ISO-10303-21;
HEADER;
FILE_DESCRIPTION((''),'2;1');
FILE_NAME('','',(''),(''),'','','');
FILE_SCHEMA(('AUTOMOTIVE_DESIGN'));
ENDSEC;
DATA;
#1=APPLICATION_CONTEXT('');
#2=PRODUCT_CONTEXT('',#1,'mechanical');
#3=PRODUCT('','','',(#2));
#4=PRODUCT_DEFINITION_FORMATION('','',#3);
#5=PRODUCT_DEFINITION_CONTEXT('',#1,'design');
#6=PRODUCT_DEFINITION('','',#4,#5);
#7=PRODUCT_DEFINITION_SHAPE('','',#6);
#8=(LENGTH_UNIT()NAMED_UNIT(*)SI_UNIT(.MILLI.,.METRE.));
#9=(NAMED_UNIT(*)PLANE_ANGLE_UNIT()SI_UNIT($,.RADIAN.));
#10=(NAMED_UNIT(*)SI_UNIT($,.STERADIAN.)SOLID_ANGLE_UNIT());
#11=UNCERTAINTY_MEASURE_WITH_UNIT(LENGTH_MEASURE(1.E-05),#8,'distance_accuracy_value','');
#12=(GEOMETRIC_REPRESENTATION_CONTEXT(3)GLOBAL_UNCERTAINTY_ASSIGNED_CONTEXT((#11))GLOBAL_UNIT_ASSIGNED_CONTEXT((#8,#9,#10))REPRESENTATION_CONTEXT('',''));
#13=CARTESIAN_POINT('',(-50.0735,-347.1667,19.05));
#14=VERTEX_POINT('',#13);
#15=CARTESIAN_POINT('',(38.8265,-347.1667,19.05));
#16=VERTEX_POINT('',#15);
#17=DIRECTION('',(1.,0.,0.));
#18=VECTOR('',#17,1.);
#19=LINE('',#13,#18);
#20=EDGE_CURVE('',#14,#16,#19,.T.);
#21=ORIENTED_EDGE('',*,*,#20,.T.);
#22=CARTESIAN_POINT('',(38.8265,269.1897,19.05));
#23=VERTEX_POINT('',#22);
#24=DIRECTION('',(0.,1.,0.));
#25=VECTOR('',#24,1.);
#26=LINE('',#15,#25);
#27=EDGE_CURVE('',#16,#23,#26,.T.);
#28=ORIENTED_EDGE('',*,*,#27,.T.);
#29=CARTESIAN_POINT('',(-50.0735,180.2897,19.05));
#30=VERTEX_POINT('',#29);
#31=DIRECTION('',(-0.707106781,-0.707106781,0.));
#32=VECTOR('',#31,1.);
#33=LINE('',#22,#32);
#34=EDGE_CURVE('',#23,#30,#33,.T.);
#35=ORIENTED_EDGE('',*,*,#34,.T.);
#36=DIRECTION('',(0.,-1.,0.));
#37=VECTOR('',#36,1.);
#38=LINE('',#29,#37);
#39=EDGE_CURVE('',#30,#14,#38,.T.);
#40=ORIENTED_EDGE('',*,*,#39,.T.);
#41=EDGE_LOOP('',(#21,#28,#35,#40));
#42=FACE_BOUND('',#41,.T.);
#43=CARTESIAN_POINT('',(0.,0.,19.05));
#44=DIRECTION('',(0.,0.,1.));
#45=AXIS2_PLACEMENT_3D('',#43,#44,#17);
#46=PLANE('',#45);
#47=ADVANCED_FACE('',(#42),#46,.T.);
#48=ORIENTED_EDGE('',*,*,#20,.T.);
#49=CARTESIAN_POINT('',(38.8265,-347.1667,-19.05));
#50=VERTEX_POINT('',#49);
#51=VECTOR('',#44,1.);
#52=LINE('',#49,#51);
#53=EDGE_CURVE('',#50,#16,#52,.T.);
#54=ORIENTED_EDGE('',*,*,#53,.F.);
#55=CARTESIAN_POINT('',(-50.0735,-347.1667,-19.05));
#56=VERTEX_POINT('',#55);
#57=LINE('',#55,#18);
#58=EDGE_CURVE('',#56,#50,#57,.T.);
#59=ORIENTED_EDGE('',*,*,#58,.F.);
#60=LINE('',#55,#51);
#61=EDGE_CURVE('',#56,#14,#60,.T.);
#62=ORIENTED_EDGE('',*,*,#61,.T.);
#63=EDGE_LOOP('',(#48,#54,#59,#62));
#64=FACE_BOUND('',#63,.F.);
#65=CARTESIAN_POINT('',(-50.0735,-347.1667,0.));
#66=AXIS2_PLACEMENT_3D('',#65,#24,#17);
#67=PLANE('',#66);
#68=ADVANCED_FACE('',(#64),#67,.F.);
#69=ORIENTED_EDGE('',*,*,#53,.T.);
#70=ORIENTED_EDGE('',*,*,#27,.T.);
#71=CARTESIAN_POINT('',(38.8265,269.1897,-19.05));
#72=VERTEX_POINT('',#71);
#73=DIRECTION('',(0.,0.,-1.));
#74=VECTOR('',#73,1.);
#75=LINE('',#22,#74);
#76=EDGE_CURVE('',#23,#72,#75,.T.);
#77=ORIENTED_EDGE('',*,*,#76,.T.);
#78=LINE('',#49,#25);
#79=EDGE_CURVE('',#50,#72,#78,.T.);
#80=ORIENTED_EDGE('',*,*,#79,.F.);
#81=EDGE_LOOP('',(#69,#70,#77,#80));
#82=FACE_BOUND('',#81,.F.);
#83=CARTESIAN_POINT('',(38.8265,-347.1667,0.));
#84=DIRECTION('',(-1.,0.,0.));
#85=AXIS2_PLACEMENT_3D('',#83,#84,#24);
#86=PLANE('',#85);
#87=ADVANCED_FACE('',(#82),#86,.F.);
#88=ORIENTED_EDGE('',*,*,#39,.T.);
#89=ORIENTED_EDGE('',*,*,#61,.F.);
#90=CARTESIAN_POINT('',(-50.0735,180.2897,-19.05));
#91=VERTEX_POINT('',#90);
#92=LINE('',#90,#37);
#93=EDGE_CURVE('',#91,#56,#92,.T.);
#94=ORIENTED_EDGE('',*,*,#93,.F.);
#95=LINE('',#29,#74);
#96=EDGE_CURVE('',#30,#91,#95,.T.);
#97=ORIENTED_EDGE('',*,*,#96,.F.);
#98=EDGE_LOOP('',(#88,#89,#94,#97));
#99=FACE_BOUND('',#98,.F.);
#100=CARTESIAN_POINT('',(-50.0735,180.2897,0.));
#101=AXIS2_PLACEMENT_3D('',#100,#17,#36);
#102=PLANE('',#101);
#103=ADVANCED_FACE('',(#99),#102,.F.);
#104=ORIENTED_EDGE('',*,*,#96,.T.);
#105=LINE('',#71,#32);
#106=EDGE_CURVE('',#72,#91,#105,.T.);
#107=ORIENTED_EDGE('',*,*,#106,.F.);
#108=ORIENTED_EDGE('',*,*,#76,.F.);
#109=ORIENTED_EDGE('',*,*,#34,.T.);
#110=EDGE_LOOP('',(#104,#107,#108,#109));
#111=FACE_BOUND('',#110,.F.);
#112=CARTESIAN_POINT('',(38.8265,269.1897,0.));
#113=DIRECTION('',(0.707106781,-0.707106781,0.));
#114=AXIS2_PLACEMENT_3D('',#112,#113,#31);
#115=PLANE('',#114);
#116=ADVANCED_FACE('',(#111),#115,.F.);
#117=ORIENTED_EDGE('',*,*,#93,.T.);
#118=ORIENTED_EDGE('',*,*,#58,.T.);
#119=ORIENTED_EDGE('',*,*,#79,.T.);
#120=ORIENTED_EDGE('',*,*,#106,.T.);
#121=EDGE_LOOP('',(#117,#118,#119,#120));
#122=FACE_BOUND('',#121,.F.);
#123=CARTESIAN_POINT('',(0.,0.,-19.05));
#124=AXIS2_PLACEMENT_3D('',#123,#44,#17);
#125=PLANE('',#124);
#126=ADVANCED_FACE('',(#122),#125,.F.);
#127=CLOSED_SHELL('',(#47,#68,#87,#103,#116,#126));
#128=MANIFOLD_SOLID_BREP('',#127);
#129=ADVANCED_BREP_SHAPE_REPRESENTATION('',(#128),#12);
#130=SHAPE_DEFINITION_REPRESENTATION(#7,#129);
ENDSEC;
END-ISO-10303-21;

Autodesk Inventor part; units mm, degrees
ref_plane "YZ Plane" through (0, 0, 0) normal (1, 0, 0) x (0, 1, 0)
ref_plane "XZ Plane" through (0, 0, 0) normal (0, 1, 0) x (-1, 0, 0)
ref_plane "XY Plane" through (0, 0, 0) normal (0, 0, 1) x (1, 0, 0)
sketch "Sketch1" plane through (0, 0, 0) normal (0, 0, 1) x (1, 0, 0)
  line L0 (-50.0735, -347.1667) -> (38.8265, -347.1667)
  line L1 (38.8265, -347.1667) -> (38.8265, 269.1897)
  line L2 (-50.0735, 180.2897) -> (-50.0735, -347.1667)
  line L3 (-50.0735, -347.1667) -> (38.8265, 269.1897) construction
  line L4 (38.8265, -347.1667) -> (26.0247, -232.6993) construction
  line L5 (38.8265, 269.1897) -> (-50.0735, 180.2897)
  line L6 (38.8265, 269.1897) -> (164.5501, 269.1897) construction
  point P0 (0, 0)
  dimension "d1" = 88.9
  dimension "d2" = 616.3564
  dimension "d5" = 45
extrude "Extrusion1" add sketch "Sketch1" along normal mid plane 38.1
properties part number "Front Face Bottom Support for Slats" material "Wood (Maple)"
